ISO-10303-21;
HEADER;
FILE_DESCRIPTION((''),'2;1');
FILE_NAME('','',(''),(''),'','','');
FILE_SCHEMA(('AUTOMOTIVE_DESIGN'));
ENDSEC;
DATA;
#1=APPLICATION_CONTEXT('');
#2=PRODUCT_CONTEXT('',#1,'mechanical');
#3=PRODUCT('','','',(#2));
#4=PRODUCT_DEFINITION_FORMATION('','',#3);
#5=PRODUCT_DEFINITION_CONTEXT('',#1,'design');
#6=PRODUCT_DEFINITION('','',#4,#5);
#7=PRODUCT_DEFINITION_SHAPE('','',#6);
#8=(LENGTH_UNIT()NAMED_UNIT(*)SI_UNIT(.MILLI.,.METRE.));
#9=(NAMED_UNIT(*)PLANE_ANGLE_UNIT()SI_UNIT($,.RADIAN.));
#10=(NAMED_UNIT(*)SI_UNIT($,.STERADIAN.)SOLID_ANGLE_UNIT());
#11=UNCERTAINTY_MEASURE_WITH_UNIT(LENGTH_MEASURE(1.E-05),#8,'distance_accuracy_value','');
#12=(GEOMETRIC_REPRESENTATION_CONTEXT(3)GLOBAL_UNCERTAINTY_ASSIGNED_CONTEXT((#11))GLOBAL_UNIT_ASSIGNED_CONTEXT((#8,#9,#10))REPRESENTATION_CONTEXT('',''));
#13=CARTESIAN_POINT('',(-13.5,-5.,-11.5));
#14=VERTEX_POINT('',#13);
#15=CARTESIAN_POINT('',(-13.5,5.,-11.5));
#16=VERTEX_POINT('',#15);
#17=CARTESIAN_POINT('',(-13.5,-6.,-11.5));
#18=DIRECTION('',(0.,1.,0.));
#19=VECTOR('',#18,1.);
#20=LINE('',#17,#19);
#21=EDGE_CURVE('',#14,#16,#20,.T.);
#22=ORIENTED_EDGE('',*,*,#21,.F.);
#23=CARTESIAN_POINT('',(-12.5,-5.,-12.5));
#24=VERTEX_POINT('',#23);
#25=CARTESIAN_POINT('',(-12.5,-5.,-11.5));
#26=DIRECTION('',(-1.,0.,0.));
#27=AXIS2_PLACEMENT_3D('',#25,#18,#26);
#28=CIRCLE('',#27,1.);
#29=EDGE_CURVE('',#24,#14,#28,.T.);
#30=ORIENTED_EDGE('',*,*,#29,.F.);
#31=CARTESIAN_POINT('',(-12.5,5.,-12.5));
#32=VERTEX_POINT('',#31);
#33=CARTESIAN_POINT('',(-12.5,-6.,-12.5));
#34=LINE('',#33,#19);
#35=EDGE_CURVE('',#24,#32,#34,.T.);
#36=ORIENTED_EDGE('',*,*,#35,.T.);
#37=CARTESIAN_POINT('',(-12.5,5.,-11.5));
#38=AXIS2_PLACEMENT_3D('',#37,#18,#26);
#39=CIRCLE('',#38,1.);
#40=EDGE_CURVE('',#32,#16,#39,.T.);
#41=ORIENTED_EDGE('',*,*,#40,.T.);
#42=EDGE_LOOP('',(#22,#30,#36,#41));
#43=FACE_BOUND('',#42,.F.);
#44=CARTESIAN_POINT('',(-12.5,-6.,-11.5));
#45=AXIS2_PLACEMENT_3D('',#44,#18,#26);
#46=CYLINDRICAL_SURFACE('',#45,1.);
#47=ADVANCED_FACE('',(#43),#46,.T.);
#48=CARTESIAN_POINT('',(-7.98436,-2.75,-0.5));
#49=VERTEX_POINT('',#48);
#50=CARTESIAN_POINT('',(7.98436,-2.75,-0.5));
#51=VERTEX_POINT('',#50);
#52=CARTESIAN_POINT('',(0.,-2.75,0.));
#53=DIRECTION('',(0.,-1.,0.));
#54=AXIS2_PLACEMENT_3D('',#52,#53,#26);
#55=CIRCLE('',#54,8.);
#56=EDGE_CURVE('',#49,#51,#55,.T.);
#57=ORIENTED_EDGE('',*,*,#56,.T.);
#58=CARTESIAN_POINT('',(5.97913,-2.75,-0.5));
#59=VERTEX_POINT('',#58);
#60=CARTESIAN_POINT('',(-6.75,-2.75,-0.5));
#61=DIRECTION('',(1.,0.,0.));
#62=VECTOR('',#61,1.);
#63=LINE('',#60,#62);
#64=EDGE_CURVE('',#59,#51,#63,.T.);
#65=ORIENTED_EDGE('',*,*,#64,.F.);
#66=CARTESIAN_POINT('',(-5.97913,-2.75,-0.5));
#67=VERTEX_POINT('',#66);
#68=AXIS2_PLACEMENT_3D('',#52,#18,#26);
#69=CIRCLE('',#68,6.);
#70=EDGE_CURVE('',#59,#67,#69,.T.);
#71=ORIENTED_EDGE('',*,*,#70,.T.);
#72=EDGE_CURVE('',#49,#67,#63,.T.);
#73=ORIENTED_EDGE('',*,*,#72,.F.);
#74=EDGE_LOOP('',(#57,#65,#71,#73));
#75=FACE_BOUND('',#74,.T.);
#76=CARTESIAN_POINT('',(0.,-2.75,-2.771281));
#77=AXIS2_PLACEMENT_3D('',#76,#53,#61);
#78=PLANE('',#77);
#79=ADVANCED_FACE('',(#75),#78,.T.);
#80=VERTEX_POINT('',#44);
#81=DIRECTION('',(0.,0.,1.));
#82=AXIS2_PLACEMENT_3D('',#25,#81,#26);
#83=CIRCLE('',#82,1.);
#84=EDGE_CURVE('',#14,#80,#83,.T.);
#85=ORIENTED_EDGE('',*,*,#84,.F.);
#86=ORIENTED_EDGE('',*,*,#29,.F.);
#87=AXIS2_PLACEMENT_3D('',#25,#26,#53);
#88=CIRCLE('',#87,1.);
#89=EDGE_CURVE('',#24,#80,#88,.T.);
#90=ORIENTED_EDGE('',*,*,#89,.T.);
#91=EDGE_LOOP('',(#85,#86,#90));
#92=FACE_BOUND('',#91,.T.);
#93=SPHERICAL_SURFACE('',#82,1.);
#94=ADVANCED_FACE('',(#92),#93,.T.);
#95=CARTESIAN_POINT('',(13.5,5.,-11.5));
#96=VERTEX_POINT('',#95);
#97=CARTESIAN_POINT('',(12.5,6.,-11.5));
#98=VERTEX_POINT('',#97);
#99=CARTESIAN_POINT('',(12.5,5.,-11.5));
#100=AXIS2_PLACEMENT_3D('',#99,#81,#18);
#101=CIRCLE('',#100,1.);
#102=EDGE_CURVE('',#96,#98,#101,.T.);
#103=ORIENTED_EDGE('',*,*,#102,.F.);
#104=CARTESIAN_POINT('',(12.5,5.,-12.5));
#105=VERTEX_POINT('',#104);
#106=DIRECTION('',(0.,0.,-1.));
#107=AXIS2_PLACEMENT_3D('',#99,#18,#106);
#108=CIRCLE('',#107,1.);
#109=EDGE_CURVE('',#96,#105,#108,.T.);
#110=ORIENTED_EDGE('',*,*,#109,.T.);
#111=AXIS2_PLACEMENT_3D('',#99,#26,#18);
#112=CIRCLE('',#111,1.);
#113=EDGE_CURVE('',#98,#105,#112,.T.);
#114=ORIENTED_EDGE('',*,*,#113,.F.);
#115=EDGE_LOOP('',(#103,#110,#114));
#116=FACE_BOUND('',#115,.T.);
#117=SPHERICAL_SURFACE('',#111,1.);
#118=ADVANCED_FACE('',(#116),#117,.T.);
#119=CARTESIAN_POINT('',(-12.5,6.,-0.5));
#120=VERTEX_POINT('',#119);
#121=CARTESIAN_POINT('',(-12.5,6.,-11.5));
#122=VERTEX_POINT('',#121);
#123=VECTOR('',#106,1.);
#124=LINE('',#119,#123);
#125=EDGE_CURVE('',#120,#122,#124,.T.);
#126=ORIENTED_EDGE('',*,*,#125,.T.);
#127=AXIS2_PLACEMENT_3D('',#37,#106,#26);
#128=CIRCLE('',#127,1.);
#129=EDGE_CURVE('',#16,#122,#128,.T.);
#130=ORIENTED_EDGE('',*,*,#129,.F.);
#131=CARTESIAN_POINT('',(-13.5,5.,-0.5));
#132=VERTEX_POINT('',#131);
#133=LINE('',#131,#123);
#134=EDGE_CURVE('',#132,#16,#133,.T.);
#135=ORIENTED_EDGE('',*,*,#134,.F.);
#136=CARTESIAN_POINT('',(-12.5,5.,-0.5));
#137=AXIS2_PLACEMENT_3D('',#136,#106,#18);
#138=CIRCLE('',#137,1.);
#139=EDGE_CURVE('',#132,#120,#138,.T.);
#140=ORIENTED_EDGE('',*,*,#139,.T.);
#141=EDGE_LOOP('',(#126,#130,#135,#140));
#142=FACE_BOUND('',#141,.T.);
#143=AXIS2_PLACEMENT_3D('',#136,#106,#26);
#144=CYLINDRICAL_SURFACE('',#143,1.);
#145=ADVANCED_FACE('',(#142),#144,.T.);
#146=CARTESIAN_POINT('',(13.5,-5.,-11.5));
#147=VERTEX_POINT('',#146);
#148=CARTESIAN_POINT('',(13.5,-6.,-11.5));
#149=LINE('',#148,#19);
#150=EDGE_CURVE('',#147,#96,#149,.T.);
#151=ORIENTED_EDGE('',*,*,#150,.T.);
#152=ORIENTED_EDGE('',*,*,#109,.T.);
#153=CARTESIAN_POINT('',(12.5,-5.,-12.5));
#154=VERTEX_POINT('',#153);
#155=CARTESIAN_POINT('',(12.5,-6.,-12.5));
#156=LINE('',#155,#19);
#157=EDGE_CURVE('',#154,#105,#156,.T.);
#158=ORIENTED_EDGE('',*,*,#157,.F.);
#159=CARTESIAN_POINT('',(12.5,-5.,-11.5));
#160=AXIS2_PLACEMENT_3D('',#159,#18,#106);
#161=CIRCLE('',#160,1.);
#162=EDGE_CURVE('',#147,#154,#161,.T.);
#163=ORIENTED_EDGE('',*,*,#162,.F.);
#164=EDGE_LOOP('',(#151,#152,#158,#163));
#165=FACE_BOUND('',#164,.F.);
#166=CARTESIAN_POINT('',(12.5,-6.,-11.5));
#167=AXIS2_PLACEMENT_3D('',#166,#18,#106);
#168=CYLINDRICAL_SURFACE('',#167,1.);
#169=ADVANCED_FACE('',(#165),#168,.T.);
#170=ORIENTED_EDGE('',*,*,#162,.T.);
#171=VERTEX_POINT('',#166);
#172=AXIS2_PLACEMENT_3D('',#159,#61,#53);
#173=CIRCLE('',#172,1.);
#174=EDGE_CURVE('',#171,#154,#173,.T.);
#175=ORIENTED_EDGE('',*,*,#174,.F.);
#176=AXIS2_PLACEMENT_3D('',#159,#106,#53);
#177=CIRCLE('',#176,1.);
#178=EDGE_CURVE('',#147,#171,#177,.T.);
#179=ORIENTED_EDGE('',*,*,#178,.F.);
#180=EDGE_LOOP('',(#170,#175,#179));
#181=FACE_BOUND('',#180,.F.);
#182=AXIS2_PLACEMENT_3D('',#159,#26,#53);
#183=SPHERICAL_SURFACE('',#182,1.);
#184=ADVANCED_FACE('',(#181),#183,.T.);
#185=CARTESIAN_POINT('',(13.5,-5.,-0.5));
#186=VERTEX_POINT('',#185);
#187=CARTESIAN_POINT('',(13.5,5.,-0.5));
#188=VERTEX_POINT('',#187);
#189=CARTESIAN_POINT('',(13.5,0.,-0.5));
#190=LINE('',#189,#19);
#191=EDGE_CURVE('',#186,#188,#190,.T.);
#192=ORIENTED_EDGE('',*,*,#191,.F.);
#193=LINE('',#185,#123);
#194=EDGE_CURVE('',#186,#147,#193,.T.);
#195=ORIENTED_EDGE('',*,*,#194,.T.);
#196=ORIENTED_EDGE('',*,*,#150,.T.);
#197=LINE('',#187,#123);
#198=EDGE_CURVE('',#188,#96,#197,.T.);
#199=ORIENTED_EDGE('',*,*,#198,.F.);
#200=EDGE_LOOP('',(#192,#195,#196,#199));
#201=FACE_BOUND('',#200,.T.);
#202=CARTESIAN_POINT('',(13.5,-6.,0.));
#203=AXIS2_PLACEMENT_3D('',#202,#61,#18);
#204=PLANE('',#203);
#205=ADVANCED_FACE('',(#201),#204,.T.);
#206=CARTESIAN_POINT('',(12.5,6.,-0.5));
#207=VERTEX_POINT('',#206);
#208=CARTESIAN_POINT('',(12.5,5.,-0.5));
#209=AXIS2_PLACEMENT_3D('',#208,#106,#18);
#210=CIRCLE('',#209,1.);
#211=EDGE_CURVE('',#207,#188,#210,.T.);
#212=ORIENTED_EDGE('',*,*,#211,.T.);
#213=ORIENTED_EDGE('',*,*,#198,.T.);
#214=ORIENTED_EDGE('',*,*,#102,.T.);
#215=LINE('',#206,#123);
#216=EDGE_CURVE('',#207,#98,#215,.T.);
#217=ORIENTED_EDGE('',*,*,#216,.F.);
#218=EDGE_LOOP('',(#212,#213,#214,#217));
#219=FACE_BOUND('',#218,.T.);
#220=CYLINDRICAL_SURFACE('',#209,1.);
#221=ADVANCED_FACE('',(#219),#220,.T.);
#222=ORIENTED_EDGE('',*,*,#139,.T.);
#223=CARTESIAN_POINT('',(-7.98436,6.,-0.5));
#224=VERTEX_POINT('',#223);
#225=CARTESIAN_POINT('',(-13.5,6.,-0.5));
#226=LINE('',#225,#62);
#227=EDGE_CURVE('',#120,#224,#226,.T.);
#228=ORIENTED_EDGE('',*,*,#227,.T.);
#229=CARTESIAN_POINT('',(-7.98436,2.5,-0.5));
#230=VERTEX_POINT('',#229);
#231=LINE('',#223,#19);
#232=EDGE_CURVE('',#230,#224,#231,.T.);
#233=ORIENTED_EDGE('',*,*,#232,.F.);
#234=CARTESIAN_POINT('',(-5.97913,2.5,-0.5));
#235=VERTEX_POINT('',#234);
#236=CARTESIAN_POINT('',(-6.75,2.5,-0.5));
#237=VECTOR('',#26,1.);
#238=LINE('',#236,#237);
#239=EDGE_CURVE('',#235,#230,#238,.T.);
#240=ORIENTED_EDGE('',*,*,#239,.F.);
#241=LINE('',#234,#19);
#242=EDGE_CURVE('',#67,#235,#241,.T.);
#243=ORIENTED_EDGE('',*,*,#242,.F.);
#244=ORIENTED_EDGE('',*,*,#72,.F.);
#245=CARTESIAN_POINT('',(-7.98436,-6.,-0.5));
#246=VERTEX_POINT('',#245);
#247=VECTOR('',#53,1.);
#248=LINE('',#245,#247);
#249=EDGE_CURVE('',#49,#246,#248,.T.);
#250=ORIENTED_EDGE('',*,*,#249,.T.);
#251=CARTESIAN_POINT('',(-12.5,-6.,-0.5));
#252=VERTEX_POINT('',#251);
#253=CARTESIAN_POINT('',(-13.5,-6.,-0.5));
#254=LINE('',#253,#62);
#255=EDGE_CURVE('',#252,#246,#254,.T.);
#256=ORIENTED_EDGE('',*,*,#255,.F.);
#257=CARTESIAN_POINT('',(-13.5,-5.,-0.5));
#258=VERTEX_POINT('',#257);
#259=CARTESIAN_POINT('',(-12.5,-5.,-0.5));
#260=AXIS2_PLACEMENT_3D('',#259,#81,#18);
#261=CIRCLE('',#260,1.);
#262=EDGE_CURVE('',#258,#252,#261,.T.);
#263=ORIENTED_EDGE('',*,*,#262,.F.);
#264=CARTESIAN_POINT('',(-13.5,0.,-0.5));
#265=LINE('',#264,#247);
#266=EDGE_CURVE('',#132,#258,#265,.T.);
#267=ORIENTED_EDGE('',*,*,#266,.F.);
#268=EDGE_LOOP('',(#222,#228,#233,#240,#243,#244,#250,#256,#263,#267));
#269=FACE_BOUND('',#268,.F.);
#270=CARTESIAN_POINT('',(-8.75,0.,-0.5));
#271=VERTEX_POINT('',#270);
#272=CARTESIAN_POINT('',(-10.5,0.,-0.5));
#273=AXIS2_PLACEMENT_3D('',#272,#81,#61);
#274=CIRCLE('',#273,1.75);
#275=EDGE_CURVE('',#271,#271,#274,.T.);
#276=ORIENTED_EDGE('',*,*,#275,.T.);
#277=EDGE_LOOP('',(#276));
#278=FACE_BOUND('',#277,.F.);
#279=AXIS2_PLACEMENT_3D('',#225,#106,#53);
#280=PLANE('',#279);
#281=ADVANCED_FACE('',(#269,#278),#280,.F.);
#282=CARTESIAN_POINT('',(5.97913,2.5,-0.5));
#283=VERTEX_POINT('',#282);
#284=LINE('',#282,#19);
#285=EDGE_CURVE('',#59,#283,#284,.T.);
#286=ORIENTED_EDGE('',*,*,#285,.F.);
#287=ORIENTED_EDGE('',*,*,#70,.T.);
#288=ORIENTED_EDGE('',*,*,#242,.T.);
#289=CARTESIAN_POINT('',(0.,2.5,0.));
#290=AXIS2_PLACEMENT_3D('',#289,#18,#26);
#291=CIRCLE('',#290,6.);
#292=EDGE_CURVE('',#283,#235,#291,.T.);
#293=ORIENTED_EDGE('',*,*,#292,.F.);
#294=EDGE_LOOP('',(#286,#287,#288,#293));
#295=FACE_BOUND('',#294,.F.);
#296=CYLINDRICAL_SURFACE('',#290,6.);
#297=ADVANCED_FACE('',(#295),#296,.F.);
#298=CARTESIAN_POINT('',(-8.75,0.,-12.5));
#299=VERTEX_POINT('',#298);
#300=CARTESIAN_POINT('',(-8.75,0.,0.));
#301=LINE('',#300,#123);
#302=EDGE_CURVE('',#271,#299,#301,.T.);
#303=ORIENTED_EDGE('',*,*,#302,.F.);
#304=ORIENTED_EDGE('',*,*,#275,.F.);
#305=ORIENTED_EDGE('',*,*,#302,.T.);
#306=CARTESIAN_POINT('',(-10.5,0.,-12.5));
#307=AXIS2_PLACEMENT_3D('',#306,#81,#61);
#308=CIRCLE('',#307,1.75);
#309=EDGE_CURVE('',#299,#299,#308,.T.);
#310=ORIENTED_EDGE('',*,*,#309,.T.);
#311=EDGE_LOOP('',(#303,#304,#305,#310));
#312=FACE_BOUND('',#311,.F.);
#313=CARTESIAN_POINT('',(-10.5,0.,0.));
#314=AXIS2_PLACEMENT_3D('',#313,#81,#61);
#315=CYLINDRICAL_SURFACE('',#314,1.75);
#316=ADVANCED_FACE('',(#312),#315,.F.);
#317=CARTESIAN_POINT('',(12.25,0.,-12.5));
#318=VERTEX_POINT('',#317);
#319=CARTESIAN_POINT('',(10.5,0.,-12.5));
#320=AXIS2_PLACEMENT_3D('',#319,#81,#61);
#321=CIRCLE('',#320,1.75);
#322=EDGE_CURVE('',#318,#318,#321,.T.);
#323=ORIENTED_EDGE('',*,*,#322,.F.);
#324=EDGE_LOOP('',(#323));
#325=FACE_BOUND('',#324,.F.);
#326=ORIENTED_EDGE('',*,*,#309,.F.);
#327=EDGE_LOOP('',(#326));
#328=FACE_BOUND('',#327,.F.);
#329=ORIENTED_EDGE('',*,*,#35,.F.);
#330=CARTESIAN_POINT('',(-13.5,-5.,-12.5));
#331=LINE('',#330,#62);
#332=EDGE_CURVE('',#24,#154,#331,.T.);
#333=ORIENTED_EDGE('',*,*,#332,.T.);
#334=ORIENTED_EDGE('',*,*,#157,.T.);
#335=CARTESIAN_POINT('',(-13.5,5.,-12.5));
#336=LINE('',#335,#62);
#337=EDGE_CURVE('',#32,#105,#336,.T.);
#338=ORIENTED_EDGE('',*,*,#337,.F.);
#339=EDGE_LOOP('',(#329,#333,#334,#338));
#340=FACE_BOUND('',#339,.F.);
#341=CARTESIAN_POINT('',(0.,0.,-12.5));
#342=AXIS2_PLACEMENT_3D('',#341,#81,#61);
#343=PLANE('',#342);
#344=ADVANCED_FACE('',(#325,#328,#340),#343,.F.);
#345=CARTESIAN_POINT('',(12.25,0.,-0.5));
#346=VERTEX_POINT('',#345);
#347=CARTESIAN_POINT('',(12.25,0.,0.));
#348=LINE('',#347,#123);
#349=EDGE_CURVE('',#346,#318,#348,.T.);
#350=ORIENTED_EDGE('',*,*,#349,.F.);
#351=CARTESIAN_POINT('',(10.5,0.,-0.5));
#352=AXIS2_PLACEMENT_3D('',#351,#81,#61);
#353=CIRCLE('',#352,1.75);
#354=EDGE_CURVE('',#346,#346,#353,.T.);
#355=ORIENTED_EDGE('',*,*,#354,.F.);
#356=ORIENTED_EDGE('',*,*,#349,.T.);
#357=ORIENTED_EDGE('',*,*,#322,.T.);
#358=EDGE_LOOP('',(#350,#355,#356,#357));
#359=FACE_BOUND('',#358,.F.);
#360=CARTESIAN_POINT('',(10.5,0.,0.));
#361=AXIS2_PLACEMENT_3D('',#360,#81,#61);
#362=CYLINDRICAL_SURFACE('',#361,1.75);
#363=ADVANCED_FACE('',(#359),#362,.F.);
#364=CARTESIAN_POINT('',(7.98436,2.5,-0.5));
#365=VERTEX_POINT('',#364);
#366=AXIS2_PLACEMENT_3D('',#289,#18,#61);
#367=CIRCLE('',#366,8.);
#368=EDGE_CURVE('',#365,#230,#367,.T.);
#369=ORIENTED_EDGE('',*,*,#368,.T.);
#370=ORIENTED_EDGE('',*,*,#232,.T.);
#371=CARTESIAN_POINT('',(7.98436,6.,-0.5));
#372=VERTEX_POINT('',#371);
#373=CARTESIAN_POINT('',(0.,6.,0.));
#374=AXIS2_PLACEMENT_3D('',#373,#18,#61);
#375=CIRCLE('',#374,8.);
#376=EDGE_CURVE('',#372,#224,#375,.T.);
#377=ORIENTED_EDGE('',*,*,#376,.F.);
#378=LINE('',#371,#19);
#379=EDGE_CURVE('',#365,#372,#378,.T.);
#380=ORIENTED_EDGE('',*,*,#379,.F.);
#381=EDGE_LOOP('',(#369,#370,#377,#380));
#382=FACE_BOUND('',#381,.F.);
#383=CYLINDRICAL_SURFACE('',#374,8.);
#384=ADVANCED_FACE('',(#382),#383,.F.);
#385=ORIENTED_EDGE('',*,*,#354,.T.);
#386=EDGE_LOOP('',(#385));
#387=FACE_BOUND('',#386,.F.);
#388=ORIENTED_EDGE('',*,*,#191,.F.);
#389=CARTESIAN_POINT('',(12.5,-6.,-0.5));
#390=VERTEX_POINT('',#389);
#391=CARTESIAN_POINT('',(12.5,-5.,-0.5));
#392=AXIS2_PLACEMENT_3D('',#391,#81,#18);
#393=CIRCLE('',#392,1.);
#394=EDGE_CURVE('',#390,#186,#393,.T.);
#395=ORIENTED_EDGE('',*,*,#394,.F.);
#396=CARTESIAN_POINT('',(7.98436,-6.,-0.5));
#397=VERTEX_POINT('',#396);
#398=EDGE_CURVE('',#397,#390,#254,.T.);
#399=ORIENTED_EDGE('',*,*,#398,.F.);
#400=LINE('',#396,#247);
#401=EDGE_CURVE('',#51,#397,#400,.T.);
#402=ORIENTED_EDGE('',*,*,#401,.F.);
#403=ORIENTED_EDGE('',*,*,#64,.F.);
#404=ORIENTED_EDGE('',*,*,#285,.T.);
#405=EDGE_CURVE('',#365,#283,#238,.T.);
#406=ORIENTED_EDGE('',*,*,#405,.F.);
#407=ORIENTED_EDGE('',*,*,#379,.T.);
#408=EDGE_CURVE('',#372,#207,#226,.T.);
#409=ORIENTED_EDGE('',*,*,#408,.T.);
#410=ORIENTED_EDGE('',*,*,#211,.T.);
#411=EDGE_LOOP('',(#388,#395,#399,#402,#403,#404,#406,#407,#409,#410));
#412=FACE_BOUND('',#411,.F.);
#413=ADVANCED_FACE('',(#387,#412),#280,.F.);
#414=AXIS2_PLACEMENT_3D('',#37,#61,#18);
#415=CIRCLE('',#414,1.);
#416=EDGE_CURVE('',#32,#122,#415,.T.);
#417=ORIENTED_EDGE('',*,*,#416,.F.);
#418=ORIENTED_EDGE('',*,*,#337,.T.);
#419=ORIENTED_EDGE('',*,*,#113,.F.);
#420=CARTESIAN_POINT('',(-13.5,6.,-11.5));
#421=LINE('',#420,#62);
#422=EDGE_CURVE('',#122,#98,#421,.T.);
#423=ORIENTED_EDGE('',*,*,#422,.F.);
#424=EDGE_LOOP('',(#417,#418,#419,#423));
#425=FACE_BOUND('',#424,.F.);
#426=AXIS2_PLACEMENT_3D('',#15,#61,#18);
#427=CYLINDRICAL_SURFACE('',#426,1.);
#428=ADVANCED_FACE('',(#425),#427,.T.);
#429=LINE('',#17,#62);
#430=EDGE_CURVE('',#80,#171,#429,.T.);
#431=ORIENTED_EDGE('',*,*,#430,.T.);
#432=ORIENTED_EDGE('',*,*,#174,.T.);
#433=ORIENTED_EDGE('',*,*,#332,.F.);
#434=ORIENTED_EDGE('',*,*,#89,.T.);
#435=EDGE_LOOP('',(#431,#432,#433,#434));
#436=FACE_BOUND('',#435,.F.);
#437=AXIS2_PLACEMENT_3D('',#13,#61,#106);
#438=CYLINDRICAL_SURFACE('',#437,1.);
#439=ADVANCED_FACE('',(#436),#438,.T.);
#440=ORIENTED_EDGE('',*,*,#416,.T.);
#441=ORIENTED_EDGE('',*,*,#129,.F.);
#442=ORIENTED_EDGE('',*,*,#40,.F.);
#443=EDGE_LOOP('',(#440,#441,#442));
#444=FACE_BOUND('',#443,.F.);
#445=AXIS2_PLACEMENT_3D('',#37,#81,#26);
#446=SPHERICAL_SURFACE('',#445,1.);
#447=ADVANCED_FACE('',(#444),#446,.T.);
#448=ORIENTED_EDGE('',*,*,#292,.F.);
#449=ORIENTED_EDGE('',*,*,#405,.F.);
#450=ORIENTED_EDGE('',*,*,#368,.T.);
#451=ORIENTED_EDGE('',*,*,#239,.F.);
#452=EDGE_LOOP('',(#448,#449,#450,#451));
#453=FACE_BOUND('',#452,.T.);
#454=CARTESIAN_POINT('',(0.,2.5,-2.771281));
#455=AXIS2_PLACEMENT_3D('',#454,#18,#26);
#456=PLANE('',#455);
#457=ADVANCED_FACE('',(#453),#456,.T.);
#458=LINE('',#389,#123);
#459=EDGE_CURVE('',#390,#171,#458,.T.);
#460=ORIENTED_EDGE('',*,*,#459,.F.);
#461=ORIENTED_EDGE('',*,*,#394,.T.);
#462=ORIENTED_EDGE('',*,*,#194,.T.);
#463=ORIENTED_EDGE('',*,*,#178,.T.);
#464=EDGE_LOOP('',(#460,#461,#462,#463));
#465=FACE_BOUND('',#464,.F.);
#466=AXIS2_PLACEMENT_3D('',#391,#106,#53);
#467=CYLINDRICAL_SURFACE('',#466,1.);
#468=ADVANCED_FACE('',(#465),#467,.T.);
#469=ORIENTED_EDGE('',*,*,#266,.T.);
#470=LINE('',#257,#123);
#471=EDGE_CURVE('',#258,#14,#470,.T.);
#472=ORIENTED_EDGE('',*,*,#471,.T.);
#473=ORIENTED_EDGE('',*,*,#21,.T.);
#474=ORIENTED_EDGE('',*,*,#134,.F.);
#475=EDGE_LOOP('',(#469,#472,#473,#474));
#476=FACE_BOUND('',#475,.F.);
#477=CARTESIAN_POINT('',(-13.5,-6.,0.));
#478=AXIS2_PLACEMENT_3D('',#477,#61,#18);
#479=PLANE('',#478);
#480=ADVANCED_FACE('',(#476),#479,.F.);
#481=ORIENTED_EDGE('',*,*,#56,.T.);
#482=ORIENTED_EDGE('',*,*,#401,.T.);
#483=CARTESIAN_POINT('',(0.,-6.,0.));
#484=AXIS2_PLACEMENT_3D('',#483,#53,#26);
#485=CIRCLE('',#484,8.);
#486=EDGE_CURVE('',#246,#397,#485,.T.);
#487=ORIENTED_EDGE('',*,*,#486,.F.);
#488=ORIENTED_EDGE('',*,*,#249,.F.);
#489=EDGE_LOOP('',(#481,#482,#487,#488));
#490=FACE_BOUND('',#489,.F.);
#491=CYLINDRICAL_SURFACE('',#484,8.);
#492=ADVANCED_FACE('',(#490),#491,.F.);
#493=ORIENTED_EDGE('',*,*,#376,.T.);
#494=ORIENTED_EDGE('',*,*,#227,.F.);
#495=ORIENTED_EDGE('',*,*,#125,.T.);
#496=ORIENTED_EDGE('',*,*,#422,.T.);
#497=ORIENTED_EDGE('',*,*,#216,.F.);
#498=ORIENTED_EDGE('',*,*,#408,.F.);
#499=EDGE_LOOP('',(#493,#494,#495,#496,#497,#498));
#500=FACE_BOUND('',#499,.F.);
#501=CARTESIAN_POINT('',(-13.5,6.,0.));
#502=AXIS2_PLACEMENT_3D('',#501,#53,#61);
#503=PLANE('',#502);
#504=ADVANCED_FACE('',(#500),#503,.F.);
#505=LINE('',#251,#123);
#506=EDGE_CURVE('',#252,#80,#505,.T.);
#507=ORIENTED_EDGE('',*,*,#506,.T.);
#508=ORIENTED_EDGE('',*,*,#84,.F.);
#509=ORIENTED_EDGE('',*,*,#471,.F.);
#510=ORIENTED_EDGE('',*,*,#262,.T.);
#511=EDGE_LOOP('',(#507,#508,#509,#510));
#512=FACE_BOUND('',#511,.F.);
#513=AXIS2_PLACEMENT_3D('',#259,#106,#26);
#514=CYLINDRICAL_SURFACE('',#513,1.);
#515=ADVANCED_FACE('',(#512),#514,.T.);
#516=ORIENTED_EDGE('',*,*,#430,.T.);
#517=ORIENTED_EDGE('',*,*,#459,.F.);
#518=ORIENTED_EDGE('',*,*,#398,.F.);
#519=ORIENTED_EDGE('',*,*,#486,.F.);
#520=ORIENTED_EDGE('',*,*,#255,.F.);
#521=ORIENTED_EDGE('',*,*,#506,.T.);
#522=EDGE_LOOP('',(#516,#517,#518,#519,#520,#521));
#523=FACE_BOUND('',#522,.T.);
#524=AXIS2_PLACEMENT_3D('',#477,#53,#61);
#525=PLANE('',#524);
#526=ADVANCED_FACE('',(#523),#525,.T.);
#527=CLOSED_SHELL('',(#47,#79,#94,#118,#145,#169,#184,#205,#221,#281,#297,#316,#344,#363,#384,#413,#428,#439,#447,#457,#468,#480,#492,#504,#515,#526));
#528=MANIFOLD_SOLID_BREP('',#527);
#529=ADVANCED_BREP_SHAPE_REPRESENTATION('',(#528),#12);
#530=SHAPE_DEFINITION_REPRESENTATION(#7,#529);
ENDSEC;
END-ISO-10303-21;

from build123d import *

# Parameters (mm, degrees)
F0_W      = 27
F0_H      = 12
F1_DEPTH  = 12.5
F3_DEPTH  = 3.25
F5_DEPTH  = 3.5
F6_R      = 6
F7_DEPTH  = 25
F8_R      = 1.75
F9_DEPTH  = 25
F10_W     = 12
F10_H     = 0.5
F11_DEPTH = 31
F12_R     = 1


with BuildPart() as f1:
    # F0 (on Top) → F1 (new body)
    with BuildSketch(Plane.XY):
        Rectangle(F0_W, F0_H)
    extrude(amount=-F1_DEPTH)

    # F2 (on face) → F3 (cut)
    with BuildSketch(Plane.XZ.offset(6)):
        with BuildLine():
            Line((8, 0), (-8, 0))
            ThreePointArc((-8, 0), (0, -8), (8, 0))
        make_face()
    extrude(amount=-F3_DEPTH, mode=Mode.SUBTRACT)

    # F4 (on face) → F5 (cut)
    with BuildSketch(Plane(origin=(0, 6, 0), x_dir=(-1, 0, 0), z_dir=(0, 1, 0))):
        with BuildLine():
            Line((8, 0), (-8, 0))
            ThreePointArc((-8, 0), (0, -8), (8, 0))
        make_face()
    extrude(amount=-F5_DEPTH, mode=Mode.SUBTRACT)

    # F6 (on face) → F7 (cut)
    with BuildSketch(Plane(origin=(0, 2.5, 0), x_dir=(-1, 0, 0), z_dir=(0, 1, 0))):
        Circle(F6_R)
    extrude(amount=-F7_DEPTH, mode=Mode.SUBTRACT)

    # F8 (on face) → F9 (cut)
    with BuildSketch(Plane.XY):
        with Locations((10.5, 0)):
            Circle(F8_R)
        with Locations((-10.5, 0)):
            Circle(F8_R)
    extrude(amount=-F9_DEPTH, mode=Mode.SUBTRACT)

    # F10 (on face) → F11 (cut)
    with BuildSketch(Plane(origin=(-13.5, 0, 0), x_dir=(0, -1, 0), z_dir=(-1, 0, 0))):
        with Locations((0, -0.25)):
            Rectangle(F10_W, F10_H)
    extrude(amount=-F11_DEPTH, mode=Mode.SUBTRACT)

    # F12
    f12_edges = [f1.edges().sort_by_distance(p)[0] for p in [
        (-13.5, -6, -6.5),
        (-13.5, 6, -6.5),
        (-13.5, 0, -12.5),
        (0, -6, -12.5),
        (0, 6, -12.5),
        (13.5, -6, -6.5),
        (13.5, 6, -6.5),
        (13.5, 0, -12.5),
    ]]
    fillet(f12_edges, radius=F12_R)


solid = f1.part
